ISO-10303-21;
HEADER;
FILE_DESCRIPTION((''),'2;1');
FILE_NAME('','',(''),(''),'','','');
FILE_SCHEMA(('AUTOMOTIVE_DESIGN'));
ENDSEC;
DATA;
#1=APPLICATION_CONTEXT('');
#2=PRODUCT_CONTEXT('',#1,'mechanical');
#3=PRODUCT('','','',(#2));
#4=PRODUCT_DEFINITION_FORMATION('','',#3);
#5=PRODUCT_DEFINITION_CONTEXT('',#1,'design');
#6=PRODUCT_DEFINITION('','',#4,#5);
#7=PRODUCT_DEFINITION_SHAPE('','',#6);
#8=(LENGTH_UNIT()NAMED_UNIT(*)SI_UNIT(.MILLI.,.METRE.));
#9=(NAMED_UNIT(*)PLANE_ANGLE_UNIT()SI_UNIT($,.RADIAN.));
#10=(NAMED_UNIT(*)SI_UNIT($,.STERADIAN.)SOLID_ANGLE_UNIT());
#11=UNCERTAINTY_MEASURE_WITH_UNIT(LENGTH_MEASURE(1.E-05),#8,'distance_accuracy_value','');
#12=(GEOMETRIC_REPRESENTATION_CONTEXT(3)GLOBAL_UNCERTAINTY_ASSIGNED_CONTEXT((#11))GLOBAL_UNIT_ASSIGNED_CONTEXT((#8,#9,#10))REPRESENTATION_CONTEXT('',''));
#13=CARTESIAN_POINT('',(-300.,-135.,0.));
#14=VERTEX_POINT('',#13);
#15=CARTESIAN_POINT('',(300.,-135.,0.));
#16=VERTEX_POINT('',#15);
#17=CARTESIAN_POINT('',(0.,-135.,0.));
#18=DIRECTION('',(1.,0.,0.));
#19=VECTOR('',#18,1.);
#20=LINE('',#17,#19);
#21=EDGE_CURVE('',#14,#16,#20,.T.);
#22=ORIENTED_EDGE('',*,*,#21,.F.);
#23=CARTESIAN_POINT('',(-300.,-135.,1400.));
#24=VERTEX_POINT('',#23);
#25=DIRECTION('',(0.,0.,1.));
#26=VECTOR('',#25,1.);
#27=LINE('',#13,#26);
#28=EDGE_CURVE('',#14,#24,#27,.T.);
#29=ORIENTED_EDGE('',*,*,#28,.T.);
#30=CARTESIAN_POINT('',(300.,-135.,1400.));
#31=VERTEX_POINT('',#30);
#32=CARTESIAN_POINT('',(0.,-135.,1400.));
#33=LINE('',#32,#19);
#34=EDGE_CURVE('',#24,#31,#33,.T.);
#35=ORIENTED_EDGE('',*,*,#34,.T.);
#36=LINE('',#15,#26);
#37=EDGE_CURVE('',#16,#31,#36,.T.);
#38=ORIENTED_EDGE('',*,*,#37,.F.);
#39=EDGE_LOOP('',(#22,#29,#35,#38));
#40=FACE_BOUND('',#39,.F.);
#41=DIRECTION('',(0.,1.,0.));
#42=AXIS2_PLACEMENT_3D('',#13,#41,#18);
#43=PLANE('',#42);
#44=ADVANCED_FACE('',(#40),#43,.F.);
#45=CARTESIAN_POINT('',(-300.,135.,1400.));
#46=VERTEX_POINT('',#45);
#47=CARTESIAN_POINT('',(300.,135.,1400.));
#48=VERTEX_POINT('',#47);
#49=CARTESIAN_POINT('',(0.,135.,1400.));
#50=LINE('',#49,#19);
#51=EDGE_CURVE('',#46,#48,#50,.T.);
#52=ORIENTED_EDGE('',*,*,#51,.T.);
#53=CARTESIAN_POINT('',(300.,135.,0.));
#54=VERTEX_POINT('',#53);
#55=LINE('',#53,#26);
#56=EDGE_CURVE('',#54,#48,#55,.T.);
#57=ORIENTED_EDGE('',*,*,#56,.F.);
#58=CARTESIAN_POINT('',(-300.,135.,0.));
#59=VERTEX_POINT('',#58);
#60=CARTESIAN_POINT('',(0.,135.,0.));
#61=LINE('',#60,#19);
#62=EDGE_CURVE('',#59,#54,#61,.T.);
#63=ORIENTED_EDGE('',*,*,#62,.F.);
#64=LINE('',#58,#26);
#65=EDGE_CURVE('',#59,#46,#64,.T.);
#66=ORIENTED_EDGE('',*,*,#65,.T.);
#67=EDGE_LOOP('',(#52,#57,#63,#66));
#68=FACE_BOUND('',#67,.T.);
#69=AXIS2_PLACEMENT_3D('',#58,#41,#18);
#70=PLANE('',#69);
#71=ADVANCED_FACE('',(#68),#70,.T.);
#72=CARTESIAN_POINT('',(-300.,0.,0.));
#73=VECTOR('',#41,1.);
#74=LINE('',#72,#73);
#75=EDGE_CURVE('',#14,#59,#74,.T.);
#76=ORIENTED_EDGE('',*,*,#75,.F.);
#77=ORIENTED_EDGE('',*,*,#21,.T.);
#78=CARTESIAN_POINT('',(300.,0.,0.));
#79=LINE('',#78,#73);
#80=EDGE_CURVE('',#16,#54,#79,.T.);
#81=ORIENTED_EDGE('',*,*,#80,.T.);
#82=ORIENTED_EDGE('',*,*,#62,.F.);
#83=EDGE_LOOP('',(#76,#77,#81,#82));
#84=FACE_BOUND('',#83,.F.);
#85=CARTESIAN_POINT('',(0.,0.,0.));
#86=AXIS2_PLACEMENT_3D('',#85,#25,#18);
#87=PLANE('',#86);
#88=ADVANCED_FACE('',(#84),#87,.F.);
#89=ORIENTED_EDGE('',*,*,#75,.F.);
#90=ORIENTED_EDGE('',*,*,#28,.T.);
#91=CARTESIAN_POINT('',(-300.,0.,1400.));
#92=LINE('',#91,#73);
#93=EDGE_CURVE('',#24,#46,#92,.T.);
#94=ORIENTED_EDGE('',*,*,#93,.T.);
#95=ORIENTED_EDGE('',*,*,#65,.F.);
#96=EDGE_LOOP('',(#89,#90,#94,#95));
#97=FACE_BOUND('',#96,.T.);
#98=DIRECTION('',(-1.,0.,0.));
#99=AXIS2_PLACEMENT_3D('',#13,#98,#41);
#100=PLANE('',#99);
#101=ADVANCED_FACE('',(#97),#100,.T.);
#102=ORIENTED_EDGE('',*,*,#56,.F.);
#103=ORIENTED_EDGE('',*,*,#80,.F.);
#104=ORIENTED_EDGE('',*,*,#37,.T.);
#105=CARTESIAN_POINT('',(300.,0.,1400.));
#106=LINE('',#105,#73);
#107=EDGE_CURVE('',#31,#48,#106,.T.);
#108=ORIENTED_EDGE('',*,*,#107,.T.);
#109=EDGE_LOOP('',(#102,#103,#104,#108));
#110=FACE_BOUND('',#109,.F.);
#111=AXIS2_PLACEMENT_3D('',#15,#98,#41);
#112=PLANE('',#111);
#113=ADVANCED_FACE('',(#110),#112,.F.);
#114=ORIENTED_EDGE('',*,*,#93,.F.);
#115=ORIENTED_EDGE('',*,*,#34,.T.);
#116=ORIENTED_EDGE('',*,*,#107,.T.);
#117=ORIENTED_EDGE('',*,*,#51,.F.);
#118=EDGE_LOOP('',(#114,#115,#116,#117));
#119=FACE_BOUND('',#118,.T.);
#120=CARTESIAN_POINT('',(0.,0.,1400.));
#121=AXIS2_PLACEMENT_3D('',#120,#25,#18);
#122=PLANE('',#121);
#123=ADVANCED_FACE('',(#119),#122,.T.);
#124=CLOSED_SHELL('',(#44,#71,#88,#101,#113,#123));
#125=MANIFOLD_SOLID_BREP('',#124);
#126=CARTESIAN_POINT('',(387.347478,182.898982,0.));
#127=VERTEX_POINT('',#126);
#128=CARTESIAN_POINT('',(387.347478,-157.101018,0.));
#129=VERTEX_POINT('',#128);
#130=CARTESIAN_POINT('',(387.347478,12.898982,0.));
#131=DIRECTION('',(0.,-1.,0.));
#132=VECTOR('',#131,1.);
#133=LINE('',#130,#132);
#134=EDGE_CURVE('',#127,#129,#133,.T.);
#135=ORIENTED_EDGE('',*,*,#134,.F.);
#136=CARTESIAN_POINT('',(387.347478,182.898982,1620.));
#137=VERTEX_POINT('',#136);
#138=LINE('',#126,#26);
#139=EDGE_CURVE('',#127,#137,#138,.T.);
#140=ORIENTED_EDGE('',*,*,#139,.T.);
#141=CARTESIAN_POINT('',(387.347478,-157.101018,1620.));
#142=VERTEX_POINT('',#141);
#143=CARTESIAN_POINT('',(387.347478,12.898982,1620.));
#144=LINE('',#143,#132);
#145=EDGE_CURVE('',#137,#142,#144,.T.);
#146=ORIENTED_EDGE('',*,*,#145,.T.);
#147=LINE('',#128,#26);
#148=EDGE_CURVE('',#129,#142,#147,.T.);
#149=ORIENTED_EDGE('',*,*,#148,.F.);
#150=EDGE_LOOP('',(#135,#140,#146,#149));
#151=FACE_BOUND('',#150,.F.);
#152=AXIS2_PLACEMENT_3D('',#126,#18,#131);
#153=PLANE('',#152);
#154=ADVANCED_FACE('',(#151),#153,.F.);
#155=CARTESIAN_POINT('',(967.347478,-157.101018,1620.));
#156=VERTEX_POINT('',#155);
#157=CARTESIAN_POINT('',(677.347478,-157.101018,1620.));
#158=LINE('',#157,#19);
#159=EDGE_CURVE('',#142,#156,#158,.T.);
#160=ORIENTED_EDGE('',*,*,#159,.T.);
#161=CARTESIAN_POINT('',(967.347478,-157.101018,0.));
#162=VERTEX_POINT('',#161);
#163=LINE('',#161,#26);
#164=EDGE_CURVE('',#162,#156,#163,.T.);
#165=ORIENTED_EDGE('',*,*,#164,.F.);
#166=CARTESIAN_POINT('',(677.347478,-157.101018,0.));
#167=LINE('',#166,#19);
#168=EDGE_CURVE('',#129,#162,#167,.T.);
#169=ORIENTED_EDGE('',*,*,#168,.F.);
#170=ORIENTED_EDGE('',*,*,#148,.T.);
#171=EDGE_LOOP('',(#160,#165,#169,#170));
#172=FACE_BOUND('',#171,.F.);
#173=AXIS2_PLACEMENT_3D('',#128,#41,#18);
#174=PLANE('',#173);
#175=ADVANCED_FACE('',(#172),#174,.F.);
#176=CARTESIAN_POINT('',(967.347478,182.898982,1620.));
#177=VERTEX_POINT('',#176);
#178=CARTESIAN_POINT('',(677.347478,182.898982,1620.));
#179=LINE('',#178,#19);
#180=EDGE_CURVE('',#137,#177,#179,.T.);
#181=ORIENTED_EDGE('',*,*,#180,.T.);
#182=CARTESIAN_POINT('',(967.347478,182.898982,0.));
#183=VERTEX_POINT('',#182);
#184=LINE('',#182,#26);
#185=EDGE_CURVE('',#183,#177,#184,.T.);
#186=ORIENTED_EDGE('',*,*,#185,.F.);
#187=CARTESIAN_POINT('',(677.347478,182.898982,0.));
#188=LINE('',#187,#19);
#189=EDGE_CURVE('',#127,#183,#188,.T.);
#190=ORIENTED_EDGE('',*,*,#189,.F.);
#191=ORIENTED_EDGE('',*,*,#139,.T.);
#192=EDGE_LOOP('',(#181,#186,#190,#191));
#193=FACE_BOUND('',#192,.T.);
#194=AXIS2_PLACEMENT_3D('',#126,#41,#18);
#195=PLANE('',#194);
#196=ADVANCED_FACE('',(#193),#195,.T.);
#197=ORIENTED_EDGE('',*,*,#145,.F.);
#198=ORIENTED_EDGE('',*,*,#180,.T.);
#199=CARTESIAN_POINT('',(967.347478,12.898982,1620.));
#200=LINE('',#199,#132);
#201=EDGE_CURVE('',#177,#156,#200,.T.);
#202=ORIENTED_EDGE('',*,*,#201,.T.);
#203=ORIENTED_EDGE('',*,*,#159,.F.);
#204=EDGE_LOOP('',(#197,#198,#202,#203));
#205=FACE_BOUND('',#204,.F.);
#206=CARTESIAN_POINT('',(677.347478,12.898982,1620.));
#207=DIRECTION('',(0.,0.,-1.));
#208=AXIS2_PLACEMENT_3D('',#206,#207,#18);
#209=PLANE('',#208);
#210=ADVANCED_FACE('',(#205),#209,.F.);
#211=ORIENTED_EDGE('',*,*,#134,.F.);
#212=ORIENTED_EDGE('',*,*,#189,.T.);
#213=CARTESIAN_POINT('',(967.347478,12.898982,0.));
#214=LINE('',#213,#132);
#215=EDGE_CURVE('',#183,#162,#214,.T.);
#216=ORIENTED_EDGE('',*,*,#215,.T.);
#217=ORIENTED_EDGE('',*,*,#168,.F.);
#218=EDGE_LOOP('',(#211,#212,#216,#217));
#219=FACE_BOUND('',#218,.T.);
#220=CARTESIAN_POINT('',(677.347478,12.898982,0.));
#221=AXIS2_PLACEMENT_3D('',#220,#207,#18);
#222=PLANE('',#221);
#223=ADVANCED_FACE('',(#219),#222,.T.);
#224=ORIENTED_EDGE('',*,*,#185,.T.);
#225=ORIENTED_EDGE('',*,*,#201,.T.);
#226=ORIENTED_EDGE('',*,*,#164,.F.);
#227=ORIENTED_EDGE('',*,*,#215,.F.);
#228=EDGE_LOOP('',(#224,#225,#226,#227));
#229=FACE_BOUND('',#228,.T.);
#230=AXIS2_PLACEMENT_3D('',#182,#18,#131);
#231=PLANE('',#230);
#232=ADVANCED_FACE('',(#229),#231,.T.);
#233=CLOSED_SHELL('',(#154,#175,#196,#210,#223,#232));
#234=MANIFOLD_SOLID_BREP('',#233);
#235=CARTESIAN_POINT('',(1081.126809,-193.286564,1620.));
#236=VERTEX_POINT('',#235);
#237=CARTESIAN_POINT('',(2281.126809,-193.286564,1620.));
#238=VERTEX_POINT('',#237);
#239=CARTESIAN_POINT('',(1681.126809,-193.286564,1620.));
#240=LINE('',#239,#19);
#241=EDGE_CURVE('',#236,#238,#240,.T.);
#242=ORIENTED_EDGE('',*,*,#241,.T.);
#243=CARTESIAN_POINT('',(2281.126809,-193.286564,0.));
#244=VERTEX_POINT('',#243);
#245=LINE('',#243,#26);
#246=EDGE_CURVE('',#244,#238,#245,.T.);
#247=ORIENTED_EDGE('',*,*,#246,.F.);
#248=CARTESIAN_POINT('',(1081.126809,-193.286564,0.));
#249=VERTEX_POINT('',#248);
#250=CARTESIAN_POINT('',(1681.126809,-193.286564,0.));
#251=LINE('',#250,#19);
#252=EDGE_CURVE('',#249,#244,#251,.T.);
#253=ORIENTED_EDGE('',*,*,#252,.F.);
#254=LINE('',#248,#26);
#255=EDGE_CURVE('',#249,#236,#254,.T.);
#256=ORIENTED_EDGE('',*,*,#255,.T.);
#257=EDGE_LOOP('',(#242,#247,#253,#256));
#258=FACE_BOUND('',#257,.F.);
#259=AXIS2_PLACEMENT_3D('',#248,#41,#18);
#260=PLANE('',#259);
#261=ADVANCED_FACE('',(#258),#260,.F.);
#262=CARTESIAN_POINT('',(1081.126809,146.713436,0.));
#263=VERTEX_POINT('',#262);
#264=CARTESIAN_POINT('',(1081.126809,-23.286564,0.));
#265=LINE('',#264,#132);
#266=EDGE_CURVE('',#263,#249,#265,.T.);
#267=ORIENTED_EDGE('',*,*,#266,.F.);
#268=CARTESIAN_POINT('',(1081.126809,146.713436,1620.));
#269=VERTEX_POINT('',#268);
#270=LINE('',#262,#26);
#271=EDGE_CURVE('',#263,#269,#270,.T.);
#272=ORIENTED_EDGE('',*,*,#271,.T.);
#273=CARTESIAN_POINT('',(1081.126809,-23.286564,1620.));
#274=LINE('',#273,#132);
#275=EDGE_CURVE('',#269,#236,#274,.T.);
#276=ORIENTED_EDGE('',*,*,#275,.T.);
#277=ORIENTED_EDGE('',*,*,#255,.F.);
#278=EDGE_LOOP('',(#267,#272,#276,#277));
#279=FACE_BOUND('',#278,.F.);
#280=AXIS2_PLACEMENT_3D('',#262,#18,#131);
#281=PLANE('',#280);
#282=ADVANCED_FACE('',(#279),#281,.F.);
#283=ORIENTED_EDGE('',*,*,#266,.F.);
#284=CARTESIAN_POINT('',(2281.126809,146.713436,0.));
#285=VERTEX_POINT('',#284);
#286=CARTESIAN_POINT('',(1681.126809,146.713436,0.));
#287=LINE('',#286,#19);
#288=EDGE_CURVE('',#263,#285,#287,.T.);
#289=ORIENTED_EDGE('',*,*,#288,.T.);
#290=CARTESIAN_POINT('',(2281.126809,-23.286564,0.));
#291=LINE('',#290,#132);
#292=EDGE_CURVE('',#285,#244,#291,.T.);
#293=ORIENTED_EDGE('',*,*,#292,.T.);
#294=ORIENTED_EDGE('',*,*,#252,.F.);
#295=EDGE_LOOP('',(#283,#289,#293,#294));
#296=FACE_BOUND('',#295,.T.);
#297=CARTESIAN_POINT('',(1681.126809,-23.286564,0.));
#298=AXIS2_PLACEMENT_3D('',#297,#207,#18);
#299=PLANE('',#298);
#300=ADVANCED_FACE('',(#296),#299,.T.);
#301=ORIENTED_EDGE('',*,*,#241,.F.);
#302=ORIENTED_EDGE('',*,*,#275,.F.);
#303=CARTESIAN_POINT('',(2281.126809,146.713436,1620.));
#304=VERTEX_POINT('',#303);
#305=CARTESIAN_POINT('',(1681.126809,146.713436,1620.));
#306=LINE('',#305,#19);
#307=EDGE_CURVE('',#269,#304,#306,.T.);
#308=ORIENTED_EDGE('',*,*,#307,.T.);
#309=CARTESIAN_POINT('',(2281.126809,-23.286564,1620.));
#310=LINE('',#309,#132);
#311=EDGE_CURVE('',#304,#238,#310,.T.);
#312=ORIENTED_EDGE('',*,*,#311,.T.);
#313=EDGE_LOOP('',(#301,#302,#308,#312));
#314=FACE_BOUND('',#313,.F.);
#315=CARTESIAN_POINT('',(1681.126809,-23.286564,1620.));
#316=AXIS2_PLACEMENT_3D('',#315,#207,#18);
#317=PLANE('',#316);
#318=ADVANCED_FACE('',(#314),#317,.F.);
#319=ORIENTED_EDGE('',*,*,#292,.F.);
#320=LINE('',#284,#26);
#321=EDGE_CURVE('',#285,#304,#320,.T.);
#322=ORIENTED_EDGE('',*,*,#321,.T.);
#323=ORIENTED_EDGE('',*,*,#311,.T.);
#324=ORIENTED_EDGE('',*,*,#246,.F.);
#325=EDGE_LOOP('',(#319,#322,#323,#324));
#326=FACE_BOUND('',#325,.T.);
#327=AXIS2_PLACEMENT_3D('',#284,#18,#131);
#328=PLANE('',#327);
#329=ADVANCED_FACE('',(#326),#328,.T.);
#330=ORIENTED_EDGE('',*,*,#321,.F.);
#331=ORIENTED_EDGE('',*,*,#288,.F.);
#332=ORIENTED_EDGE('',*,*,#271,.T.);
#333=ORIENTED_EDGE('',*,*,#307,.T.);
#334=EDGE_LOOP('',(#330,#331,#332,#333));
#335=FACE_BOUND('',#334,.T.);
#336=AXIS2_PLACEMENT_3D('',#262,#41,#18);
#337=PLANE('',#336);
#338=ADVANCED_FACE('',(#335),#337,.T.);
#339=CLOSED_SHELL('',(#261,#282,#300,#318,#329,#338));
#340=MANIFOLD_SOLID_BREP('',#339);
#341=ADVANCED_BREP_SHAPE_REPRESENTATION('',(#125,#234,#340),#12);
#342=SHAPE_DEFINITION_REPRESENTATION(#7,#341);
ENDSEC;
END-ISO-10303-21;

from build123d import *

# Parameters (mm, degrees)
F0_W     = 600
F0_H     = 270
F1_DEPTH = 1400
F2_W     = 580
F2_H     = 340
F3_DEPTH = 1620
F4_W     = 1200
F4_H     = 340
F5_DEPTH = 1620


with BuildPart() as f1:
    # F0 (on Top) → F1 (new body)
    with BuildSketch(Plane.XY):
        Rectangle(F0_W, F0_H)
    extrude(amount=F1_DEPTH)


with BuildPart() as f3:
    # F2 (on face) → F3 (new body)
    with BuildSketch(Plane(origin=(0, 0, 0), x_dir=(1, 0, 0), z_dir=(0, 0, -1))):
        with Locations((677.347478, -12.898982)):
            Rectangle(F2_W, F2_H)
    extrude(amount=-F3_DEPTH)


with BuildPart() as f5:
    # F4 (on face) → F5 (new body)
    with BuildSketch(Plane(origin=(0, 0, 0), x_dir=(1, 0, 0), z_dir=(0, 0, -1))):
        with Locations((1681.126809, 23.286564)):
            Rectangle(F4_W, F4_H)
    extrude(amount=-F5_DEPTH)


solid = Compound([f1.part, f3.part, f5.part])
